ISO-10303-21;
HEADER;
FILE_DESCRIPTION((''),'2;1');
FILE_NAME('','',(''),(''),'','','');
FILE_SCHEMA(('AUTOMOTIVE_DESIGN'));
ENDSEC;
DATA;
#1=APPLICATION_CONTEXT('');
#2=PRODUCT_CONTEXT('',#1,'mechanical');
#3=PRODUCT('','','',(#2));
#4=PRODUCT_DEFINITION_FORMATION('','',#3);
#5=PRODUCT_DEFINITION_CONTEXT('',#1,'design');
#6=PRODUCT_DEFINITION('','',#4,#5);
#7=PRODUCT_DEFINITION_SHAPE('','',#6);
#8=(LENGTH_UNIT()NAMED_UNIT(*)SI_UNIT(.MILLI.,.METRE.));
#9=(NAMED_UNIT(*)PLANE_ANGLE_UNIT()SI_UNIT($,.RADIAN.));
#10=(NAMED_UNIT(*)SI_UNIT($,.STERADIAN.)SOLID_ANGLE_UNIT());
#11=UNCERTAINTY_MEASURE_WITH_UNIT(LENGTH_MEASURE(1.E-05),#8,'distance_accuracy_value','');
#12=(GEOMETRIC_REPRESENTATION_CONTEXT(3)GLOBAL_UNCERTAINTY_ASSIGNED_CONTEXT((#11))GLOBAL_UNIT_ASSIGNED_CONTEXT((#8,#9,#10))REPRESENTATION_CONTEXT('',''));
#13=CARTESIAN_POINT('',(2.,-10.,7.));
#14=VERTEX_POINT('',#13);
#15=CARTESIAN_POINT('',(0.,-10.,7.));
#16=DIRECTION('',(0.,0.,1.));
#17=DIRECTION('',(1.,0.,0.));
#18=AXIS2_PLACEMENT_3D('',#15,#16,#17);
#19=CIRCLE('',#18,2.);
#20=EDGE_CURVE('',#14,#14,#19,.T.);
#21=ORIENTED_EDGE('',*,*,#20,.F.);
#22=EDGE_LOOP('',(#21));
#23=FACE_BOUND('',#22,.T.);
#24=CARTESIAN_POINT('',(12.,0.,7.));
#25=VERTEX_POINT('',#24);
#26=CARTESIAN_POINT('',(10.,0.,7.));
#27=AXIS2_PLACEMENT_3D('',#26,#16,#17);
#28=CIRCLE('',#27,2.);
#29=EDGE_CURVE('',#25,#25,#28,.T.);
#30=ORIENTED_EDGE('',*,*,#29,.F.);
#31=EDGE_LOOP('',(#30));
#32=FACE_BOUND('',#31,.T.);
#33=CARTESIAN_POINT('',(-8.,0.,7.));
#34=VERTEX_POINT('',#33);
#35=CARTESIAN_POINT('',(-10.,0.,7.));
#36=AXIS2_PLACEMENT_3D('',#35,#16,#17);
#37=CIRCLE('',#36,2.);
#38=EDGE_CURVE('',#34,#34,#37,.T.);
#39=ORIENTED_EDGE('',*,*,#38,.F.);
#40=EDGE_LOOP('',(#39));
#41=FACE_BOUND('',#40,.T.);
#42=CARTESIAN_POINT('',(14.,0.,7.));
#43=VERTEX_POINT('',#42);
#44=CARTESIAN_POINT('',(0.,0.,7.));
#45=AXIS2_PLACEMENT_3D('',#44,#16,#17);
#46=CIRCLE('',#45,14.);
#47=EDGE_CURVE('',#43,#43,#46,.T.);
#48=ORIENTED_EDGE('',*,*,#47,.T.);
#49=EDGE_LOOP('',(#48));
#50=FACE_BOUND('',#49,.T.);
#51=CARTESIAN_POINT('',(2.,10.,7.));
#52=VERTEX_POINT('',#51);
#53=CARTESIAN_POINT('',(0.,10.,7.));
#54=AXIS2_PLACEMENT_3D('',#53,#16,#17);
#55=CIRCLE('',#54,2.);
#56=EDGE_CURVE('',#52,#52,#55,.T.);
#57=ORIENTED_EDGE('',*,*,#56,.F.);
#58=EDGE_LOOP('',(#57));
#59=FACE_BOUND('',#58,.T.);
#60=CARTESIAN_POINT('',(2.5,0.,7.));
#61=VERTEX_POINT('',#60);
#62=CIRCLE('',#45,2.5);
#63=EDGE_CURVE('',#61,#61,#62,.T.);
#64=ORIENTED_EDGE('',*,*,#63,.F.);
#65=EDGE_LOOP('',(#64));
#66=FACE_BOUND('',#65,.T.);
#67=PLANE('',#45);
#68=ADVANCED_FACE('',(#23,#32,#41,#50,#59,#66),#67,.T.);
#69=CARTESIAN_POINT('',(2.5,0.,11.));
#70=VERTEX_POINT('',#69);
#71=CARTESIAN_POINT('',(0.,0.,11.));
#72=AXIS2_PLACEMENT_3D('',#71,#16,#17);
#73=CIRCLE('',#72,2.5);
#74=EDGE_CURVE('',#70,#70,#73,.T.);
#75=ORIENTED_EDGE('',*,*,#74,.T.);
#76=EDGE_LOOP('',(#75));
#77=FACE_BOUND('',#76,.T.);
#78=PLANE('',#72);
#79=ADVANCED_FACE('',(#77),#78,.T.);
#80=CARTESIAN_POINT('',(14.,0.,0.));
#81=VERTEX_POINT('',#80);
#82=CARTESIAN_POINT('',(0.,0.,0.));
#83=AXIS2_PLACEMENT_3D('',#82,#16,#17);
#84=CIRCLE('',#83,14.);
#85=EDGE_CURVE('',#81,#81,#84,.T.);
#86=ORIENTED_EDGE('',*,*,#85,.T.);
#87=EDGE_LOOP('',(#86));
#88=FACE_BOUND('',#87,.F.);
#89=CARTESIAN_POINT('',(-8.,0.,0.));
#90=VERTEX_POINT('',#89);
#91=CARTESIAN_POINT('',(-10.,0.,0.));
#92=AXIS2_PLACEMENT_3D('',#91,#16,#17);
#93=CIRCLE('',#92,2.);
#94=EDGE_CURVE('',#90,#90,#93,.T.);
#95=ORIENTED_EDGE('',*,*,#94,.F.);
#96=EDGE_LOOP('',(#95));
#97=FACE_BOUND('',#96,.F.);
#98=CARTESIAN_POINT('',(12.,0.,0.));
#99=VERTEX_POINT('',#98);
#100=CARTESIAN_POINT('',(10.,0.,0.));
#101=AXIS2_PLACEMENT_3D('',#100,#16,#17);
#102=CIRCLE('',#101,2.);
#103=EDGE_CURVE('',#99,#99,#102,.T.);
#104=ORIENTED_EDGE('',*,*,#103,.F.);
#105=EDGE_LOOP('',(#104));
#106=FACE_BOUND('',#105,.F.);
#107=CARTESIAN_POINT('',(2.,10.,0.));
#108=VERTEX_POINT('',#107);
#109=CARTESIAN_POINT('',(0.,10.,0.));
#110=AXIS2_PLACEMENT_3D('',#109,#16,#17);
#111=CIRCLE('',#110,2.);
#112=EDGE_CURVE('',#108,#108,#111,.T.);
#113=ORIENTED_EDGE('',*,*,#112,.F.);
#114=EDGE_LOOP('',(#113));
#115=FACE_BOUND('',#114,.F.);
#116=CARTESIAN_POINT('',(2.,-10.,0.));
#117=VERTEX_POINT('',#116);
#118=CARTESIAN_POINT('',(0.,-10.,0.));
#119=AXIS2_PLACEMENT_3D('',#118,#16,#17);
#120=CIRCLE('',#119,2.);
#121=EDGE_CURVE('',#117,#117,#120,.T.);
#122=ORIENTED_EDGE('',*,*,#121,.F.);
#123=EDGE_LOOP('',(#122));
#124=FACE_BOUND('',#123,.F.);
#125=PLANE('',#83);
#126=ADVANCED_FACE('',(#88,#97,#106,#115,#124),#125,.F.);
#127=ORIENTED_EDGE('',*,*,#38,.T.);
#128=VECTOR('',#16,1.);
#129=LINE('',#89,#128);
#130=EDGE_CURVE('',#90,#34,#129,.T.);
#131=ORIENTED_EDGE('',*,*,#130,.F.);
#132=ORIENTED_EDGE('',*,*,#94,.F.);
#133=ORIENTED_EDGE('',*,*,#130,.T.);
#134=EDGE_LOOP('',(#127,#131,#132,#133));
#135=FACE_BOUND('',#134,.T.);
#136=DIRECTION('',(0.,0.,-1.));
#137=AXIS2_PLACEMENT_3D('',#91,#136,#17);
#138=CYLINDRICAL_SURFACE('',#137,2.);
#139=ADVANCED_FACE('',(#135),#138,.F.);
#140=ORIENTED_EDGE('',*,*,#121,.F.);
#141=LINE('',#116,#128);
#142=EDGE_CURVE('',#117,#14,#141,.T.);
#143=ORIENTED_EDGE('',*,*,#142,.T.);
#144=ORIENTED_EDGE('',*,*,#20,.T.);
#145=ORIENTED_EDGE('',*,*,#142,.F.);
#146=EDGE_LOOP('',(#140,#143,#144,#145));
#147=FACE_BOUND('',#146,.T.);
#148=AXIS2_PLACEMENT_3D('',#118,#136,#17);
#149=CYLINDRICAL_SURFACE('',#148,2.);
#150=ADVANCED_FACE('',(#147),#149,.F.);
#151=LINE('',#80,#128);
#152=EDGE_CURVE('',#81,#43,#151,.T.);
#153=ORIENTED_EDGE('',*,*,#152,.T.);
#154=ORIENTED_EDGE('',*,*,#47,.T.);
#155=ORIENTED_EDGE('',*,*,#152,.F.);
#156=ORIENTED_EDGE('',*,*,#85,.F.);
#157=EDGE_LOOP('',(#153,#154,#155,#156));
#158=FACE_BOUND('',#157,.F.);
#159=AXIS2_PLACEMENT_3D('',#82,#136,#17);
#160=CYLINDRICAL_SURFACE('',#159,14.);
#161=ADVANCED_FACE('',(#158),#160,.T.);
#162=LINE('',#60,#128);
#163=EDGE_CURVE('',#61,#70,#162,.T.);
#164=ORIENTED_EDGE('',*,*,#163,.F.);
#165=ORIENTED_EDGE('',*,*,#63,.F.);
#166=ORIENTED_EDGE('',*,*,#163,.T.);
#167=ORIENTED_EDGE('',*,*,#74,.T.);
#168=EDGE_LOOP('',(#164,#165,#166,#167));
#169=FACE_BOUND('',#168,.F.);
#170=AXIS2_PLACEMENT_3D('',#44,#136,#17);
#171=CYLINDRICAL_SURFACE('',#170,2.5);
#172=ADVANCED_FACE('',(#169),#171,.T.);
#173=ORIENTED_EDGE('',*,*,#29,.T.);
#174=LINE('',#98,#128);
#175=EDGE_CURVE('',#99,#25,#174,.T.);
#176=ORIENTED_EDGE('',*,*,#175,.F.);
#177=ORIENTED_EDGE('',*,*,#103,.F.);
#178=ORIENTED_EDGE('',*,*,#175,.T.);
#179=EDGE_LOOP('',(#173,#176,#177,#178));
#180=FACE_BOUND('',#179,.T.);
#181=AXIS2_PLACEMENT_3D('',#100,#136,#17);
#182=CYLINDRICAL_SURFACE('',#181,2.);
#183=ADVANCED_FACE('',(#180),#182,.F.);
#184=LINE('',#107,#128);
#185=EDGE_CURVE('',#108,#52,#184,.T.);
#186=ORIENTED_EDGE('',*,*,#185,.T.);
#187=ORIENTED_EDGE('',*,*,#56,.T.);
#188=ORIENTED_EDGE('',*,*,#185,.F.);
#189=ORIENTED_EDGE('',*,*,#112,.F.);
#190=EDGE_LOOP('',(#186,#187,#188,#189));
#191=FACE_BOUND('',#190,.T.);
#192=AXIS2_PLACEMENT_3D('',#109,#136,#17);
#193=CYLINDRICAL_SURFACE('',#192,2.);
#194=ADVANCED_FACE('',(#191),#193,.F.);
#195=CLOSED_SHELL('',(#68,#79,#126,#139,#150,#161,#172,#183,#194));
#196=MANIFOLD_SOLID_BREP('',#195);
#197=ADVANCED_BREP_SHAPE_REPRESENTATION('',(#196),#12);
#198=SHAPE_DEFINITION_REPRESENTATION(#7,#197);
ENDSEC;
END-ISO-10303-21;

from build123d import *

# Parameters (mm, degrees)
SKETCH_R     = 14
SKETCH_R_2   = 2
PAD_DEPTH    = 7
SKETCH001_R  = 2.5
PAD001_DEPTH = 4


with BuildPart() as part:
    # Sketch → Pad (new body)
    with BuildSketch(Plane.XY):
        Circle(SKETCH_R)
        with Locations((0, 10)):
            Circle(SKETCH_R_2, mode=Mode.SUBTRACT)
        with Locations((0, -10)):
            Circle(SKETCH_R_2, mode=Mode.SUBTRACT)
        with Locations((-10, 0)):
            Circle(SKETCH_R_2, mode=Mode.SUBTRACT)
        with Locations((10, 0)):
            Circle(SKETCH_R_2, mode=Mode.SUBTRACT)
    extrude(amount=PAD_DEPTH)

    # Sketch001 (on Face7 of Pad) → Pad001 (join)
    with BuildSketch(Plane.XY.offset(7)):
        Circle(SKETCH001_R)
    extrude(amount=PAD001_DEPTH)


solid = part.part
